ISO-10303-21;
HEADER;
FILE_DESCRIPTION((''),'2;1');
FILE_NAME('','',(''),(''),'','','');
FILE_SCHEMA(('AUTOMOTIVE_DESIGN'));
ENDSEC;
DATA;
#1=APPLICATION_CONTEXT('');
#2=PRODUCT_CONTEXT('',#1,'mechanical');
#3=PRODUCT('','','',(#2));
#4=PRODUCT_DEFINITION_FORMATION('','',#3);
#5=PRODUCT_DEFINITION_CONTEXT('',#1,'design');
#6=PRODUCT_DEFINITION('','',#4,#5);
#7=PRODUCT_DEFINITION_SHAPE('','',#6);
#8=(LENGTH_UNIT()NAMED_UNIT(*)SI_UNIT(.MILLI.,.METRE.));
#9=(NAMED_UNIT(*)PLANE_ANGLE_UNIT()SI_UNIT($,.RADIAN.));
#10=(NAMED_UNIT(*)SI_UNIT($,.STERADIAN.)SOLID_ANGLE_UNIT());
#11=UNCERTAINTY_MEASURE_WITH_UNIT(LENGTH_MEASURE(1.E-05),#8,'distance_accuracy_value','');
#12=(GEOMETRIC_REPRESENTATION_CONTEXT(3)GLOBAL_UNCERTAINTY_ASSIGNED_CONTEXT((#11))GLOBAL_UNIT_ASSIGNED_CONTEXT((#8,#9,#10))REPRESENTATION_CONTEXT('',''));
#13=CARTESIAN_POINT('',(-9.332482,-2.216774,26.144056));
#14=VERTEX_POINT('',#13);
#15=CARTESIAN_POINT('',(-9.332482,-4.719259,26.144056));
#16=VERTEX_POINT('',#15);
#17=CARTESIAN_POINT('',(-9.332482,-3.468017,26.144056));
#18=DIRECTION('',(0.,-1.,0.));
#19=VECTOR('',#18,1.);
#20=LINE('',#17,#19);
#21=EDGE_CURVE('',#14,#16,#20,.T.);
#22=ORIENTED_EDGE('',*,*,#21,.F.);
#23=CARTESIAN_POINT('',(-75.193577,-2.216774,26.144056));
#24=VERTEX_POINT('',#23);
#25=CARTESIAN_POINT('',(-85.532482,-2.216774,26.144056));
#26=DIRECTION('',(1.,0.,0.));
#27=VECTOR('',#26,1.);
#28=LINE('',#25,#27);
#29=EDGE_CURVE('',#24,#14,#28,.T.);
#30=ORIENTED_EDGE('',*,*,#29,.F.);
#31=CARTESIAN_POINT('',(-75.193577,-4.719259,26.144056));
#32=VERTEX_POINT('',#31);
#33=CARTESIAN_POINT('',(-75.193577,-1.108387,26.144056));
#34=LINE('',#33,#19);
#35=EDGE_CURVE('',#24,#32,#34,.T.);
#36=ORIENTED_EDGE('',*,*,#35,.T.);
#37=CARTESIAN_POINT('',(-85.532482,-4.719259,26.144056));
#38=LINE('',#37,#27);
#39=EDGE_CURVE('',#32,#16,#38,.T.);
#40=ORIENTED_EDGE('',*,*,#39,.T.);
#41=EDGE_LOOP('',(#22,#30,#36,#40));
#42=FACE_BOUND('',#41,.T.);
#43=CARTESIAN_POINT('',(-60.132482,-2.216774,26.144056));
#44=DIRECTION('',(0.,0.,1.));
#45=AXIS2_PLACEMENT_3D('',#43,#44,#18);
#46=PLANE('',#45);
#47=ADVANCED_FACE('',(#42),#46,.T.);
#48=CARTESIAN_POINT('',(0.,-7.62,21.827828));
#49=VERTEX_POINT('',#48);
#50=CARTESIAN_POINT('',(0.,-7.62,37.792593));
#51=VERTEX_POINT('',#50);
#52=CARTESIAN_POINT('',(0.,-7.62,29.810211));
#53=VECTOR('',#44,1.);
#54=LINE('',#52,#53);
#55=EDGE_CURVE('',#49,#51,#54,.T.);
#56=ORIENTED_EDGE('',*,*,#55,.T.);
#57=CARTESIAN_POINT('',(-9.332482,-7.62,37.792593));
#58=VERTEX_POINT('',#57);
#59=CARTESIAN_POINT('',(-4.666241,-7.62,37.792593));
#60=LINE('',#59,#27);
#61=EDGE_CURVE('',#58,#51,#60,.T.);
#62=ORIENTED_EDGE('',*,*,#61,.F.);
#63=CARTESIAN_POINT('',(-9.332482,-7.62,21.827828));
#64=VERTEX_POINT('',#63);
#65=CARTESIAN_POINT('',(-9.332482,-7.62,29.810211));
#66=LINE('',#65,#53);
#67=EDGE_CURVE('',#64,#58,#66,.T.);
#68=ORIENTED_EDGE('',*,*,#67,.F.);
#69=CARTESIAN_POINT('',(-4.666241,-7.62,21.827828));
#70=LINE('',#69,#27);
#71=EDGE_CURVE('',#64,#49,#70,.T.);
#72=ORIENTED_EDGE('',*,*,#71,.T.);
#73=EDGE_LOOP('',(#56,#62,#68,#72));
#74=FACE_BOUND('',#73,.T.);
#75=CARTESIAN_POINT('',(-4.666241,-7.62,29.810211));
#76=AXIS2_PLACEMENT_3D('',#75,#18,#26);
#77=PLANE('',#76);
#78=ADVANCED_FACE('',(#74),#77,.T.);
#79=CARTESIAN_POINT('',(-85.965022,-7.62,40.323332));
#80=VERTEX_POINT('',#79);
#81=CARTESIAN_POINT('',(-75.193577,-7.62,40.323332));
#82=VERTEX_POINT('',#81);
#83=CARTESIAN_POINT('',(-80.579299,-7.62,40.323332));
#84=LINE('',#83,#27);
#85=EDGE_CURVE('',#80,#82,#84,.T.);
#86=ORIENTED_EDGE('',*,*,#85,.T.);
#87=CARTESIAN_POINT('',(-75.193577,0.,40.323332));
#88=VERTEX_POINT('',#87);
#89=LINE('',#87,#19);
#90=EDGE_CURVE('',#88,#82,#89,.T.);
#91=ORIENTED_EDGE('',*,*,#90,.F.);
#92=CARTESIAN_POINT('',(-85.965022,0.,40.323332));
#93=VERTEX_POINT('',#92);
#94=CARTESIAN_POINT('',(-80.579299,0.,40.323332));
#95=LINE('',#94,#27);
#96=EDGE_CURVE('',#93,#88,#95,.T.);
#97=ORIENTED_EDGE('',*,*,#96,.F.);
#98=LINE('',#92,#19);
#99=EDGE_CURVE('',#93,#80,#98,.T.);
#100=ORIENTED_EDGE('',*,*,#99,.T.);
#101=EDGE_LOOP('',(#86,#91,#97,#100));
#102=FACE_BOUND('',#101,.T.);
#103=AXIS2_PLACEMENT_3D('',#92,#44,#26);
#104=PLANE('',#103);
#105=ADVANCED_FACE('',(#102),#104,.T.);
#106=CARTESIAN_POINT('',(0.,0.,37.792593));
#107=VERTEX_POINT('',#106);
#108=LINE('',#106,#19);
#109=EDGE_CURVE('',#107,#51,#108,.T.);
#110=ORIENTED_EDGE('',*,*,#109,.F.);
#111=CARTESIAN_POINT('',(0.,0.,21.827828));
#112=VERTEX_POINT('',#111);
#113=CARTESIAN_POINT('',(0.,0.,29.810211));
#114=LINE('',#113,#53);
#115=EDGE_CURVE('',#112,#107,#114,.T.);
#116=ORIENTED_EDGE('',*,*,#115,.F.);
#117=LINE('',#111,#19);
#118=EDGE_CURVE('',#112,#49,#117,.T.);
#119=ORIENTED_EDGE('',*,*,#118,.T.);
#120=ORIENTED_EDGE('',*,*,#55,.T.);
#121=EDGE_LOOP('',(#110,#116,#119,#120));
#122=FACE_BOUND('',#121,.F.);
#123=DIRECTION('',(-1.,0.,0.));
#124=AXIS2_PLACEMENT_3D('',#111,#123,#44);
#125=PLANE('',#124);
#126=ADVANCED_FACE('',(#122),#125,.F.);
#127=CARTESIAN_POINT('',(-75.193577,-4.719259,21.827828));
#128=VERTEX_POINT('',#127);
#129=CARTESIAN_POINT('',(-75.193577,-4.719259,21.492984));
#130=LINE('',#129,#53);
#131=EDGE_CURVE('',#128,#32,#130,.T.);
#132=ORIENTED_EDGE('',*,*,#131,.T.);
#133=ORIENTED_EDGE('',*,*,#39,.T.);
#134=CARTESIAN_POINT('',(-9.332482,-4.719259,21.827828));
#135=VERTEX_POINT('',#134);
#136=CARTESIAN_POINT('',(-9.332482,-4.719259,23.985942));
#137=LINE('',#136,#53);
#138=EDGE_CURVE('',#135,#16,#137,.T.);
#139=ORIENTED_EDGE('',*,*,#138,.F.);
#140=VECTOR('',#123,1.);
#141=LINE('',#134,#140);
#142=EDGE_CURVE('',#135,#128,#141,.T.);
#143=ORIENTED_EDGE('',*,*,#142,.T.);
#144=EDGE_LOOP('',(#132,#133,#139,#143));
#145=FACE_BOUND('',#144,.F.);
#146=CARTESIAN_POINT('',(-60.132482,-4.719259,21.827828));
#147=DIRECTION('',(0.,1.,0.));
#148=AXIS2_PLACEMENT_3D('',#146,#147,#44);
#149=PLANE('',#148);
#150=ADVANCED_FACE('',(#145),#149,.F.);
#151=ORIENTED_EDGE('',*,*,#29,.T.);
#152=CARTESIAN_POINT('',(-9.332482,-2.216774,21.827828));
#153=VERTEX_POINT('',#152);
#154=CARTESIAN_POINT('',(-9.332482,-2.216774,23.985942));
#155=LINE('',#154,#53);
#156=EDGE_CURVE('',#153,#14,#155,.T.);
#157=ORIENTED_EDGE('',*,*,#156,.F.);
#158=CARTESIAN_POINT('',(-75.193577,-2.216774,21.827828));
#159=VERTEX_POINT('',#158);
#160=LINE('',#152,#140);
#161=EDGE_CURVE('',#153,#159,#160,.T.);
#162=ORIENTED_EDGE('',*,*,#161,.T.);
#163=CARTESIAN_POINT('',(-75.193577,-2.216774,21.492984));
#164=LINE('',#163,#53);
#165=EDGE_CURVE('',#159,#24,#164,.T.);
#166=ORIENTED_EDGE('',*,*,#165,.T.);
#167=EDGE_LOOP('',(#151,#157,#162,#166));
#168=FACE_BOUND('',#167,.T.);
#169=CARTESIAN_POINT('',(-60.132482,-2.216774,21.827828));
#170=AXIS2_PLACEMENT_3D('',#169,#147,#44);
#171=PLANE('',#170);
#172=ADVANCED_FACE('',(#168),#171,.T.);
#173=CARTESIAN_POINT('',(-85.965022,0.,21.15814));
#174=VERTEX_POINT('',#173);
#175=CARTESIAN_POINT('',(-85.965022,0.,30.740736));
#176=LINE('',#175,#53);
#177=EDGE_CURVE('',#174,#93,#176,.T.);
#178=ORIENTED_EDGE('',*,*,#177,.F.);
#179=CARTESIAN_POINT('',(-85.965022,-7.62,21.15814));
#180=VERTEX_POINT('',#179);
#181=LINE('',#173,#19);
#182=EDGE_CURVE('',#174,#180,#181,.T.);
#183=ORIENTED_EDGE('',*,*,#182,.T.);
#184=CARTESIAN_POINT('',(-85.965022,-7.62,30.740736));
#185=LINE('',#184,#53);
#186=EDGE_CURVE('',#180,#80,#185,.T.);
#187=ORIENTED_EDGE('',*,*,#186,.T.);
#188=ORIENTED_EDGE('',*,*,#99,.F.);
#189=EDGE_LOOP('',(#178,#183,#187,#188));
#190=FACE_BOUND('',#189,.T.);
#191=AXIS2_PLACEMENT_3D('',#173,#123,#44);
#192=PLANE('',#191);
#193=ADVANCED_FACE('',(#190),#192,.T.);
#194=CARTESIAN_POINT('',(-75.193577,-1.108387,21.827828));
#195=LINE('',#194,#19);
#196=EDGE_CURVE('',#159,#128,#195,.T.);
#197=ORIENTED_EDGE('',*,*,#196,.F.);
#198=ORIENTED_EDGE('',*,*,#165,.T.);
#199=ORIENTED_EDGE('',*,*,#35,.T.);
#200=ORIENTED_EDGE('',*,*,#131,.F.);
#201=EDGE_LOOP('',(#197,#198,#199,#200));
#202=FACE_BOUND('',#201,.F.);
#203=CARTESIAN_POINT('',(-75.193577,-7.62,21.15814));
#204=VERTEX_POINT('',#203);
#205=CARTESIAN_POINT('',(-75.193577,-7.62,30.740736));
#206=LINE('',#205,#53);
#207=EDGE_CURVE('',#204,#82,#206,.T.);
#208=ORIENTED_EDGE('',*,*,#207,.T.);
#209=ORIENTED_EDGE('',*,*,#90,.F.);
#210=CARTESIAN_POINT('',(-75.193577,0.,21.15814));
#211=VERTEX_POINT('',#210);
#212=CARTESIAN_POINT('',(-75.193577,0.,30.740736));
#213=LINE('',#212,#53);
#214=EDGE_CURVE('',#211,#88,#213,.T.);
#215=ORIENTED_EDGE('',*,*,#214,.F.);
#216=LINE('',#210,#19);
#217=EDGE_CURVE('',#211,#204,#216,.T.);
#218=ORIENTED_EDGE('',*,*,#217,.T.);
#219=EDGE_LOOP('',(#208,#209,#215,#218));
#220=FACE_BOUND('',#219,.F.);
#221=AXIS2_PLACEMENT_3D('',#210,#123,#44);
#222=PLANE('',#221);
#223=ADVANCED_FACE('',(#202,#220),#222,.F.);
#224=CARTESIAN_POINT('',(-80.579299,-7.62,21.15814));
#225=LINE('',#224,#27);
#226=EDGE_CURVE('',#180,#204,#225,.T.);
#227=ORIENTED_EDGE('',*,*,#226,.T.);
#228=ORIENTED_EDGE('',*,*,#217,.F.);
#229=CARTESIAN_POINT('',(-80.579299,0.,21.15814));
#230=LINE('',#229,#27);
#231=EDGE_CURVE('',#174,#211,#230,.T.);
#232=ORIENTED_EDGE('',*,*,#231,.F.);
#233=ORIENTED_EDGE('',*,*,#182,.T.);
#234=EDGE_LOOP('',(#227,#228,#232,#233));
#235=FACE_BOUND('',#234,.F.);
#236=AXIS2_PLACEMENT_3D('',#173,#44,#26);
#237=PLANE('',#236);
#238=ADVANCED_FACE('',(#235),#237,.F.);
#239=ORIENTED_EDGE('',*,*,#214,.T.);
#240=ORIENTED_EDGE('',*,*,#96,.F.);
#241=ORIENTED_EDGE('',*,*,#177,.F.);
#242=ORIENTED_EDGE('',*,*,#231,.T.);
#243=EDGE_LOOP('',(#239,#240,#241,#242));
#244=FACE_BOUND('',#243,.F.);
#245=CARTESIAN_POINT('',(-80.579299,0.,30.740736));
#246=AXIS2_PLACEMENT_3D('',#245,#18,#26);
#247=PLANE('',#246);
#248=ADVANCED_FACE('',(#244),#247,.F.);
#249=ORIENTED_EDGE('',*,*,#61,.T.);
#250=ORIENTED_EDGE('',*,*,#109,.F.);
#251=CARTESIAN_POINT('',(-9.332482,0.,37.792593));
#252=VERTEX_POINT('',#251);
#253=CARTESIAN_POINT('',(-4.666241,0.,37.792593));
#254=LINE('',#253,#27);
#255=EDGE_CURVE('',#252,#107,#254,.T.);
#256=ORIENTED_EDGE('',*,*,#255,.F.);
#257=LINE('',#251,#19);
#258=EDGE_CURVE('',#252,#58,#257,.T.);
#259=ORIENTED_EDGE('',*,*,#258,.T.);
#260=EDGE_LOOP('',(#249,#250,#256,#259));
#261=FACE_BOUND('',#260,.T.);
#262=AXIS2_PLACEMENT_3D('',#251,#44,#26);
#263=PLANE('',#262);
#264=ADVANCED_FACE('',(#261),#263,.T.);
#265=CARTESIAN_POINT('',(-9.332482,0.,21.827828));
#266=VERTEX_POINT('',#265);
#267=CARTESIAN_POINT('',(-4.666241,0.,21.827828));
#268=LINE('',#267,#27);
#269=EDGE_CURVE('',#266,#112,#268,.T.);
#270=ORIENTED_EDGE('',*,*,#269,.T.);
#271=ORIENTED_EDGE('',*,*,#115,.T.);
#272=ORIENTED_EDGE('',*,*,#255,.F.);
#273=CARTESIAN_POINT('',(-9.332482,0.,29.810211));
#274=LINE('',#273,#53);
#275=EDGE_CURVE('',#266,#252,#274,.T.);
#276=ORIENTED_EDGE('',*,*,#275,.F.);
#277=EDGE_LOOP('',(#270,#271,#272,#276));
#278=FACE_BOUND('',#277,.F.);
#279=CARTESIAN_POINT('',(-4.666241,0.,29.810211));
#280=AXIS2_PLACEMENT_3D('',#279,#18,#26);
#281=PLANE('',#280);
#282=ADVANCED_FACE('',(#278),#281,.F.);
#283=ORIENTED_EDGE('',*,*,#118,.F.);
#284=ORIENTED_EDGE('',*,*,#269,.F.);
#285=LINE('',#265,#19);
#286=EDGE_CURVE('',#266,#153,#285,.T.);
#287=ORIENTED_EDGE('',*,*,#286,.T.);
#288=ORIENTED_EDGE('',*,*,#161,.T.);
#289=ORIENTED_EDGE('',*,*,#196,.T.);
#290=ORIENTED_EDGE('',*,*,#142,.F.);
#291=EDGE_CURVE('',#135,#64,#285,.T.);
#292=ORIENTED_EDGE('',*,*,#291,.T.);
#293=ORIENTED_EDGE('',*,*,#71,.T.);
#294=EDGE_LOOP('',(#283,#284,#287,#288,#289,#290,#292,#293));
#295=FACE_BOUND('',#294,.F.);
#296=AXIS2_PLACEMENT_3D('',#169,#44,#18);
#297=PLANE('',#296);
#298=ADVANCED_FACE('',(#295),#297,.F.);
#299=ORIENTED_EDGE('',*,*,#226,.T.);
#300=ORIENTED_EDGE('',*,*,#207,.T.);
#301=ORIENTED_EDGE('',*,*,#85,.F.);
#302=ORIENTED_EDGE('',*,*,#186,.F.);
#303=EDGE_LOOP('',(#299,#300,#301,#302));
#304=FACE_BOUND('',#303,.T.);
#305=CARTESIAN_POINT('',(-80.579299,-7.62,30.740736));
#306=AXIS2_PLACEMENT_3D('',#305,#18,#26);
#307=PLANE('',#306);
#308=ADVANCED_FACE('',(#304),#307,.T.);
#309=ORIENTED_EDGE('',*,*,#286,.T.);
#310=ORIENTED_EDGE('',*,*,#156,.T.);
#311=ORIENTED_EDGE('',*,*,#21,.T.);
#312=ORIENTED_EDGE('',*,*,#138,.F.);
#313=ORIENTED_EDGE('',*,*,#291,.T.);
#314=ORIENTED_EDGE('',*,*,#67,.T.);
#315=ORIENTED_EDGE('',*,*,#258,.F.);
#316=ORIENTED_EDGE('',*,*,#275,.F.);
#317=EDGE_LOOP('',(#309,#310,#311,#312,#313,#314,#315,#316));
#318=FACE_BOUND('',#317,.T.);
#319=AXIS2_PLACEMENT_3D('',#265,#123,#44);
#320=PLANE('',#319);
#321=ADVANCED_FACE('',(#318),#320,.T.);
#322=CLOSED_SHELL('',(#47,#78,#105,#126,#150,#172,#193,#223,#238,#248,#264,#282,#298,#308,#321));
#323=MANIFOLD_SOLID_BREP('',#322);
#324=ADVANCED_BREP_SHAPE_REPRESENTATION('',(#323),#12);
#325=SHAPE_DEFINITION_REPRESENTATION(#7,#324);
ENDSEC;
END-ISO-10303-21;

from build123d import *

# Parameters (mm, degrees)
F0_W     = 9.3324817717
F0_H     = 15.9647651017
F1_DEPTH = 7.62
F2_W     = 2.5024851784
F2_H     = 4.3162275106
F3_DEPTH = 25.4
F4_DEPTH = 25.4
F5_DEPTH = 25.4
F6_W     = 10.77144593
F6_H     = 19.1651917994
F7_DEPTH = 7.62


with BuildPart() as f1:
    # F0 (on Front) → F1 (new body)
    with BuildSketch(Plane.XZ):
        with Locations((-4.6662408859, 29.8102106899)):
            Rectangle(F0_W, F0_H)
    extrude(amount=F1_DEPTH)

    # F2 (on face) → F3 (join)
    with BuildSketch(Plane(origin=(-9.3324817717, 0, 0), x_dir=(0, -1, 0), z_dir=(-1, 0, 0))):
        with Locations((3.4680166282, 23.9859418944)):
            Rectangle(F2_W, F2_H)
    extrude(amount=F3_DEPTH)

    # F4 (add): a face of the model
    f4_faces = [f1.faces().sort_by_distance(p)[0] for p in [
        (-34.7324817717, -3.4680166282, 23.9859418944),
    ]]
    extrude(f4_faces, amount=F4_DEPTH)

    # F5 (add): a face of the model
    f5_faces = [f1.faces().sort_by_distance(p)[0] for p in [
        (-60.1324817717, -3.4680166282, 23.9859418944),
    ]]
    extrude(f5_faces, amount=F5_DEPTH)

    # F6 (on Front) → F7 (join)
    with BuildSketch(Plane.XZ):
        with Locations((-80.5792994797, 30.7407360524)):
            Rectangle(F6_W, F6_H)
    extrude(amount=F7_DEPTH)


solid = f1.part
